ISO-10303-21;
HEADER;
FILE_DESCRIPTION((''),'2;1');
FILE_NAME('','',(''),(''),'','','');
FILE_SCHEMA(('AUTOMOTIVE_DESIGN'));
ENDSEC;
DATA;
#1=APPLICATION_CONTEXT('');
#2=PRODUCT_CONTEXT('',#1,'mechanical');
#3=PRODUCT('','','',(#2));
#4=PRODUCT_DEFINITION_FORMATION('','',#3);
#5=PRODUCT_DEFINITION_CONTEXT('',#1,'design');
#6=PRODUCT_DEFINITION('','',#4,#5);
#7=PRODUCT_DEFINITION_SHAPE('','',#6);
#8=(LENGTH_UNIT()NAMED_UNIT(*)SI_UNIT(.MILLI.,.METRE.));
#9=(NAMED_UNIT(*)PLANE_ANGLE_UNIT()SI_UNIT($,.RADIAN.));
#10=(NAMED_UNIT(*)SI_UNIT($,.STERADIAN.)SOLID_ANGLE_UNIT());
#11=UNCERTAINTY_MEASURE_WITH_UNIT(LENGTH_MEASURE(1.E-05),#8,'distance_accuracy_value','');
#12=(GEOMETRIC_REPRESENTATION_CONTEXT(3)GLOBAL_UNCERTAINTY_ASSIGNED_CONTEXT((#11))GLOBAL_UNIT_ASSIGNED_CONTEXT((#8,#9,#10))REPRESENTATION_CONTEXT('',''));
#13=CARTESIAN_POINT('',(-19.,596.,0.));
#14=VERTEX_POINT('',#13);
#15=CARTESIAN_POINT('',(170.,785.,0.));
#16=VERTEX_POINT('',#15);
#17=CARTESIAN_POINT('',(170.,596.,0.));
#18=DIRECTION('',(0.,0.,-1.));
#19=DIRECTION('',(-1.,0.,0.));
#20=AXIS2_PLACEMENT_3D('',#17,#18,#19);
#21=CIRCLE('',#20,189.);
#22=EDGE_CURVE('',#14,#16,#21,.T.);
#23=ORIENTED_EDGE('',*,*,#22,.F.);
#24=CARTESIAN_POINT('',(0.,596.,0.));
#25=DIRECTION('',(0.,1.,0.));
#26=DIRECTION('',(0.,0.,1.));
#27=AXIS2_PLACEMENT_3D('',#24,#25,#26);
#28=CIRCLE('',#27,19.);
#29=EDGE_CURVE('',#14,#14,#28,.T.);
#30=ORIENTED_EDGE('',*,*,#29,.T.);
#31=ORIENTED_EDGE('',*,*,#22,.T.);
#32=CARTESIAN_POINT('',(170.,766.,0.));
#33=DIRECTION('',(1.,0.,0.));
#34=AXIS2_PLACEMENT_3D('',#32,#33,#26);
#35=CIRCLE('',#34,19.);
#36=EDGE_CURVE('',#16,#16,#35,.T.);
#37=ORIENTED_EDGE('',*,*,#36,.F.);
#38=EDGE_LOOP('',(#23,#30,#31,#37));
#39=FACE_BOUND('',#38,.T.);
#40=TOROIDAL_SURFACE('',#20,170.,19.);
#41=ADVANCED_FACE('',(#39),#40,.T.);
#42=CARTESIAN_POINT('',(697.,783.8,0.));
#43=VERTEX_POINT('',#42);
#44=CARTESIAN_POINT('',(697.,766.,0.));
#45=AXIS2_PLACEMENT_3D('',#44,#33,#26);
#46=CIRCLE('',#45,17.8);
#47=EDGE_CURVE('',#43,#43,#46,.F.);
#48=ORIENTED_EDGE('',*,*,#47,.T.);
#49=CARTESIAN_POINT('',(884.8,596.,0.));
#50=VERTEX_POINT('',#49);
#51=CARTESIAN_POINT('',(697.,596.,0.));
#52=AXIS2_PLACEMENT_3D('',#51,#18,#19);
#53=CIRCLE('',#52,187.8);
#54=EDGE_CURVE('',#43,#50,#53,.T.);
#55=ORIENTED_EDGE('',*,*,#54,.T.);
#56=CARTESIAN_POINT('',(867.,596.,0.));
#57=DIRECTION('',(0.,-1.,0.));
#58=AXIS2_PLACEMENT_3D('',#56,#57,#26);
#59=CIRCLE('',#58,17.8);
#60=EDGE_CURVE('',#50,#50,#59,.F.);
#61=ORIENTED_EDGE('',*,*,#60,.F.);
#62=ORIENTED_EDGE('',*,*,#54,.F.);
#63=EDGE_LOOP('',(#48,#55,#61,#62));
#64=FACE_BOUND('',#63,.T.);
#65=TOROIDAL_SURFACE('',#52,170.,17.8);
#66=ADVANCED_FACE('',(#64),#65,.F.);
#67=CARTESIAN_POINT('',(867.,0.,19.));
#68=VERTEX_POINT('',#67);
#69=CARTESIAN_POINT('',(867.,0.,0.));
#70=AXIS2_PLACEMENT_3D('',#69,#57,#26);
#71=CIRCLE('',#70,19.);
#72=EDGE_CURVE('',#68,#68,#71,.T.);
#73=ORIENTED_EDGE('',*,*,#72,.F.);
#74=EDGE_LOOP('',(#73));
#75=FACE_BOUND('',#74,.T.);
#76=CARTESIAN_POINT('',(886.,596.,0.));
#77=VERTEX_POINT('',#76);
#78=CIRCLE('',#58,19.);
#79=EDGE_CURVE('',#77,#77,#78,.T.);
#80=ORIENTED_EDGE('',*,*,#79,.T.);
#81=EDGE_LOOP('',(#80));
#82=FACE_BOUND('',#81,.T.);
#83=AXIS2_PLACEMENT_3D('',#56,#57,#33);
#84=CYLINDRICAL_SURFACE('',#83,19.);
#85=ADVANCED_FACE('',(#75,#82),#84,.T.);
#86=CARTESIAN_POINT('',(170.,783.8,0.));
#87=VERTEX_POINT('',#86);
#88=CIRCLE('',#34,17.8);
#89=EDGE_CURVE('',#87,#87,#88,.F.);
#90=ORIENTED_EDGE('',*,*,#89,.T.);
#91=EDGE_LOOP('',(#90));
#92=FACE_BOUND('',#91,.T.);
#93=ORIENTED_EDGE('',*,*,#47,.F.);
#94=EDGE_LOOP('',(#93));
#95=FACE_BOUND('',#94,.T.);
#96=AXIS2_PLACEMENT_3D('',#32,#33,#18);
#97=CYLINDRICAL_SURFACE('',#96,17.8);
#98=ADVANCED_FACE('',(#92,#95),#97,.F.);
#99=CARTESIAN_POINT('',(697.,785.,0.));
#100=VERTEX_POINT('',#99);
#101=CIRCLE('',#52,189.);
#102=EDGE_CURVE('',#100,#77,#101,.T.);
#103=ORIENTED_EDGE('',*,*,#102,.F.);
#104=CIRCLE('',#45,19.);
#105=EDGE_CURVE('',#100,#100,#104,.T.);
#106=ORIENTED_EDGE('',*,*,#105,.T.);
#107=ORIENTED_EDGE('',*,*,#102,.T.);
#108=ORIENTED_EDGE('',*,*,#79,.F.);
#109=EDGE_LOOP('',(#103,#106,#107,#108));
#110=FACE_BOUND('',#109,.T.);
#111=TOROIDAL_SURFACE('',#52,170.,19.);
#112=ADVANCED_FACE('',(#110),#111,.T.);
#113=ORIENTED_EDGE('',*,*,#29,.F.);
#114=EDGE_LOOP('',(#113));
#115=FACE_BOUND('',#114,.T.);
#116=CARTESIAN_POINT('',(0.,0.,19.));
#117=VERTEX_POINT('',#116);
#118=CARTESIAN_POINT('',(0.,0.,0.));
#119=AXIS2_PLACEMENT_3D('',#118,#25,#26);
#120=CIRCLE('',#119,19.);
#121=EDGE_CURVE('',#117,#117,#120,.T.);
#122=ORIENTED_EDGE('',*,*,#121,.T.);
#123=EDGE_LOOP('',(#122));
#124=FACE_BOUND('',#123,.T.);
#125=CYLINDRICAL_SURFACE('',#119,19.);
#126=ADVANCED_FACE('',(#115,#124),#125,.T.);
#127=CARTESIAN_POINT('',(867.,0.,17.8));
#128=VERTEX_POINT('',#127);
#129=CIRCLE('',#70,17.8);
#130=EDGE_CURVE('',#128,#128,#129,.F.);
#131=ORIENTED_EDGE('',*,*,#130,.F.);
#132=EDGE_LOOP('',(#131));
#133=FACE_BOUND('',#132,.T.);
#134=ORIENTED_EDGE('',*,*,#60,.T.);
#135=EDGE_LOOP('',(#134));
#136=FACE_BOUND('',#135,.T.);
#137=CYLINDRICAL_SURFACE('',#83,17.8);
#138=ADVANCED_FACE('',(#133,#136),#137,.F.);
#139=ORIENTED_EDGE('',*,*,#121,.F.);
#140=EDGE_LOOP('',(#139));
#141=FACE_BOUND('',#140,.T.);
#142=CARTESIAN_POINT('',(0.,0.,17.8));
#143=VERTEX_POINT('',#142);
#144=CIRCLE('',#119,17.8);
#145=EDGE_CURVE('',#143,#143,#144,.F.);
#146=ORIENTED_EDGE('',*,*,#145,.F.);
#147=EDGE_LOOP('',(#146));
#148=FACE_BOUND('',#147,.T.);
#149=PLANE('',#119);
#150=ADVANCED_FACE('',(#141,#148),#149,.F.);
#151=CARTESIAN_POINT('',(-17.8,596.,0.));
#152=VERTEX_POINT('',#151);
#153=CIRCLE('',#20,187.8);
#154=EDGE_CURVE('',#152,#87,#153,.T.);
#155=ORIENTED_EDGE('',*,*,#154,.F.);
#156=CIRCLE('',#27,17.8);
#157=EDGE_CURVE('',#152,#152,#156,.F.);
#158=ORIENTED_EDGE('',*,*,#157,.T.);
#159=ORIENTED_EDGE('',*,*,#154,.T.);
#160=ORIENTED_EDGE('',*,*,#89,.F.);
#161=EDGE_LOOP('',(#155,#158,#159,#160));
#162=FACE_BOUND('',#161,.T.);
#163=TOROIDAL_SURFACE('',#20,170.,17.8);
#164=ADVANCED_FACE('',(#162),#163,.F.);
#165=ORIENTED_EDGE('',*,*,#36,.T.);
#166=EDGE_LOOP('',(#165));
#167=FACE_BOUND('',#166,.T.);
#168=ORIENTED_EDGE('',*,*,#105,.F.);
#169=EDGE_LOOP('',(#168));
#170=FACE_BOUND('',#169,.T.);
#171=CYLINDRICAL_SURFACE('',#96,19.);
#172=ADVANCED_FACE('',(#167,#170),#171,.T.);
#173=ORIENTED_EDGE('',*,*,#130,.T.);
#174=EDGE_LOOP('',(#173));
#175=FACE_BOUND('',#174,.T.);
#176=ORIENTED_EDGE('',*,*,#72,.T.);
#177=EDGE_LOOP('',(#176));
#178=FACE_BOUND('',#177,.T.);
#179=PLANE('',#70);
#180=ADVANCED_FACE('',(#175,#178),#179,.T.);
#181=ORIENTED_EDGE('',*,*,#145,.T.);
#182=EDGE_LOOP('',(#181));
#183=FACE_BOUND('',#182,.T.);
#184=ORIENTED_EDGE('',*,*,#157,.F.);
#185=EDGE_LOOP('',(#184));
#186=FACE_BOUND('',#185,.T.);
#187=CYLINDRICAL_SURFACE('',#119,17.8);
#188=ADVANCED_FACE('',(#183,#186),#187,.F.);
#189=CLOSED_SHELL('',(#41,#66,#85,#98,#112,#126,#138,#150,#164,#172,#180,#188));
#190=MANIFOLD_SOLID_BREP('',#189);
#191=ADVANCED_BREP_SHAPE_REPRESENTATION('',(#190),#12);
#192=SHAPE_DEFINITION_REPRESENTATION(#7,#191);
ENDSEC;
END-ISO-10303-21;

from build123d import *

# Parameters (mm, degrees)
SKETCH2_R   = 19
SKETCH2_R_2 = 17.8


with BuildPart() as part:
    # Sweep1: sweep along a path in Sketch1
    with BuildLine(Plane.XY) as sweep1_path:
        Line((0, 0), (0, 596))
        ThreePointArc((0, 596), (49.791847198, 716.208152802), (170, 766))
        Line((170, 766), (697, 766))
        ThreePointArc((697, 766), (817.208152802, 716.208152802), (867, 596))
        Line((867, 596), (867, 0))
    # Sketch2 → Sweep1 (sweep)
    with BuildSketch(Plane(origin=(0, 0, 0), x_dir=(1, 0, 0), z_dir=(0, 1, 0))):
        Circle(SKETCH2_R)
        Circle(SKETCH2_R_2, mode=Mode.SUBTRACT)
    sweep(path=sweep1_path.line)


solid = part.part
